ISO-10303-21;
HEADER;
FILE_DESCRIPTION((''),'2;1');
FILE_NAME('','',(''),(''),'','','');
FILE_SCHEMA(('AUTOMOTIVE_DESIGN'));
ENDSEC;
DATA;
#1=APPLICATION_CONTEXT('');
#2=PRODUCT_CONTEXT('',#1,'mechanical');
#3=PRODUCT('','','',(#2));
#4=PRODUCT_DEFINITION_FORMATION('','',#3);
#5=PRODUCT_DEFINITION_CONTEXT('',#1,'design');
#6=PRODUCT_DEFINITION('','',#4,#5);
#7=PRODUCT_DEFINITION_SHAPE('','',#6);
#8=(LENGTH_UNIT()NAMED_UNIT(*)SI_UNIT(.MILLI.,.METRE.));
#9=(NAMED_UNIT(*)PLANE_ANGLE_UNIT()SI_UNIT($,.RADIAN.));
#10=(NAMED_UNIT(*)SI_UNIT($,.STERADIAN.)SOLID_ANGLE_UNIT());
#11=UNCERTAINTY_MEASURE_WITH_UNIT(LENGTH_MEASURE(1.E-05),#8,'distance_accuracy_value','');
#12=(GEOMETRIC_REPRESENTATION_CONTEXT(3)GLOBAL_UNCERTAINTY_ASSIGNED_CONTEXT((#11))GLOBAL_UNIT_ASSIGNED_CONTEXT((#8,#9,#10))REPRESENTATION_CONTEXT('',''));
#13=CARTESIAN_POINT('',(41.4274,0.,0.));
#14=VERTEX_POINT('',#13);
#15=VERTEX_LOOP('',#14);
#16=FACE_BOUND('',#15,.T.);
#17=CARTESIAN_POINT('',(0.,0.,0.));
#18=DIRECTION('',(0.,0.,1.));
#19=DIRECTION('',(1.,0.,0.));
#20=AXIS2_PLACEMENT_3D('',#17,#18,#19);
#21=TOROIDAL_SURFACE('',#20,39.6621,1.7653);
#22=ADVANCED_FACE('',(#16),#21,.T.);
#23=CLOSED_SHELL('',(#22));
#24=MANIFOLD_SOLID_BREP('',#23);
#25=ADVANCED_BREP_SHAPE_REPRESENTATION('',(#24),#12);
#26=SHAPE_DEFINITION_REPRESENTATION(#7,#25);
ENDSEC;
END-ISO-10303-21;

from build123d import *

# Parameters (mm, degrees)
SKETCH1_R = 1.7653


with BuildPart() as part:
    # Sketch1 → Revolve1 (revolve)
    with BuildSketch(Plane(origin=(0, 0, 0), x_dir=(0, -1, 0), z_dir=(1, 0, 0))):
        with Locations((39.6621, 0)):
            Circle(SKETCH1_R)
    revolve(axis=Axis((0, 0, 1.7653), (0, 0, -1)))


solid = part.part
